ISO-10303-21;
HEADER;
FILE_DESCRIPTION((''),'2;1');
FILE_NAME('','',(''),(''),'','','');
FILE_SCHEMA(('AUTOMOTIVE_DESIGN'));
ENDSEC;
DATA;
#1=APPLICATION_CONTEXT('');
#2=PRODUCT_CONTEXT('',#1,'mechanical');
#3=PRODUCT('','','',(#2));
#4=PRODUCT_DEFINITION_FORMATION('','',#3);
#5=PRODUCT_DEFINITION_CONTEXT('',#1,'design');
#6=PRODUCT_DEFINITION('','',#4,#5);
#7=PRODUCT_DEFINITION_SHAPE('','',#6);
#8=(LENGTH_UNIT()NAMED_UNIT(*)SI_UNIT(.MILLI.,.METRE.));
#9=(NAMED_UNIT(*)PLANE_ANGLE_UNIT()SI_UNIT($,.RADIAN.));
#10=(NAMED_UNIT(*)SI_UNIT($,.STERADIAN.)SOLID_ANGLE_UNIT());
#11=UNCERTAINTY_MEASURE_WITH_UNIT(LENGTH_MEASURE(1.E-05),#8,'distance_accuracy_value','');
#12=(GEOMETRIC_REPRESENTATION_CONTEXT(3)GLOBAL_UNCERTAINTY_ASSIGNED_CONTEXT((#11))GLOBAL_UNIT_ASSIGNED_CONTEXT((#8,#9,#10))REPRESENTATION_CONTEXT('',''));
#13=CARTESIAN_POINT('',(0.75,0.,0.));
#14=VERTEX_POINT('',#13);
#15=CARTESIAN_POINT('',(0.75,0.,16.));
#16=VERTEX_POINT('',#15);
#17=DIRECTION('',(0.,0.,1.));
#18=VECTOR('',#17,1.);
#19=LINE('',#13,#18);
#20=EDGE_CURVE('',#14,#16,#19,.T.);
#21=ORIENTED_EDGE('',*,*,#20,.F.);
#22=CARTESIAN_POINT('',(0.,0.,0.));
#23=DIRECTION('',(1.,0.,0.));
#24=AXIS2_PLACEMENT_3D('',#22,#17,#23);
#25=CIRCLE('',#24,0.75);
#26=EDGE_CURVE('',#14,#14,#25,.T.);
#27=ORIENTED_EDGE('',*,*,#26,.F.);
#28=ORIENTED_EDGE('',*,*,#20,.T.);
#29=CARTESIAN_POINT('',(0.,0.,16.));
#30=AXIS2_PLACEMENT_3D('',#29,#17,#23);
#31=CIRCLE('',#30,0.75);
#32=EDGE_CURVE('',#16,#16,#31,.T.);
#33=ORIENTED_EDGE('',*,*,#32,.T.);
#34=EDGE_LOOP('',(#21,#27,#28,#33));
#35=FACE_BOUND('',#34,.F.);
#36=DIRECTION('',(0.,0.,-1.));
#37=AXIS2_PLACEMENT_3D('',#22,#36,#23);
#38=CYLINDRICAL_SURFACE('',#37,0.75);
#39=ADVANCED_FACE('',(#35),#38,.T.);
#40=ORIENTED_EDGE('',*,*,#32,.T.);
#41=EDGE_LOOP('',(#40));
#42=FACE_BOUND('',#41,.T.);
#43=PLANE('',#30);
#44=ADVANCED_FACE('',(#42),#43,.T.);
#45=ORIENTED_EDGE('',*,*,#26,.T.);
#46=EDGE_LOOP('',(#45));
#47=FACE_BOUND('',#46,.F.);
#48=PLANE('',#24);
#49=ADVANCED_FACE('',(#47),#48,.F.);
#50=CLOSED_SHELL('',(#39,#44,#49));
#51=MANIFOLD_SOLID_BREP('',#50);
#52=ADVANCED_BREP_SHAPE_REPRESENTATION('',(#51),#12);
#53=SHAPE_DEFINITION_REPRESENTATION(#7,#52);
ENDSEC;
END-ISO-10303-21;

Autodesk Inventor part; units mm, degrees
ref_plane "YZ Plane" through (0, 0, 0) normal (1, 0, 0) x (0, 1, 0)
ref_plane "XZ Plane" through (0, 0, 0) normal (0, 1, 0) x (-1, 0, 0)
ref_plane "XY Plane" through (0, 0, 0) normal (0, 0, 1) x (1, 0, 0)
sketch "Skizze1" plane through (0, 0, 0) normal (0, 0, 1) x (1, 0, 0)
  circle A0 centre (0, 0) radius 0.75
  dimension "d0" = 1.5
extrude "Extrusion1" add sketch "Skizze1" along normal blind 16
properties part number "Ak_stange"
